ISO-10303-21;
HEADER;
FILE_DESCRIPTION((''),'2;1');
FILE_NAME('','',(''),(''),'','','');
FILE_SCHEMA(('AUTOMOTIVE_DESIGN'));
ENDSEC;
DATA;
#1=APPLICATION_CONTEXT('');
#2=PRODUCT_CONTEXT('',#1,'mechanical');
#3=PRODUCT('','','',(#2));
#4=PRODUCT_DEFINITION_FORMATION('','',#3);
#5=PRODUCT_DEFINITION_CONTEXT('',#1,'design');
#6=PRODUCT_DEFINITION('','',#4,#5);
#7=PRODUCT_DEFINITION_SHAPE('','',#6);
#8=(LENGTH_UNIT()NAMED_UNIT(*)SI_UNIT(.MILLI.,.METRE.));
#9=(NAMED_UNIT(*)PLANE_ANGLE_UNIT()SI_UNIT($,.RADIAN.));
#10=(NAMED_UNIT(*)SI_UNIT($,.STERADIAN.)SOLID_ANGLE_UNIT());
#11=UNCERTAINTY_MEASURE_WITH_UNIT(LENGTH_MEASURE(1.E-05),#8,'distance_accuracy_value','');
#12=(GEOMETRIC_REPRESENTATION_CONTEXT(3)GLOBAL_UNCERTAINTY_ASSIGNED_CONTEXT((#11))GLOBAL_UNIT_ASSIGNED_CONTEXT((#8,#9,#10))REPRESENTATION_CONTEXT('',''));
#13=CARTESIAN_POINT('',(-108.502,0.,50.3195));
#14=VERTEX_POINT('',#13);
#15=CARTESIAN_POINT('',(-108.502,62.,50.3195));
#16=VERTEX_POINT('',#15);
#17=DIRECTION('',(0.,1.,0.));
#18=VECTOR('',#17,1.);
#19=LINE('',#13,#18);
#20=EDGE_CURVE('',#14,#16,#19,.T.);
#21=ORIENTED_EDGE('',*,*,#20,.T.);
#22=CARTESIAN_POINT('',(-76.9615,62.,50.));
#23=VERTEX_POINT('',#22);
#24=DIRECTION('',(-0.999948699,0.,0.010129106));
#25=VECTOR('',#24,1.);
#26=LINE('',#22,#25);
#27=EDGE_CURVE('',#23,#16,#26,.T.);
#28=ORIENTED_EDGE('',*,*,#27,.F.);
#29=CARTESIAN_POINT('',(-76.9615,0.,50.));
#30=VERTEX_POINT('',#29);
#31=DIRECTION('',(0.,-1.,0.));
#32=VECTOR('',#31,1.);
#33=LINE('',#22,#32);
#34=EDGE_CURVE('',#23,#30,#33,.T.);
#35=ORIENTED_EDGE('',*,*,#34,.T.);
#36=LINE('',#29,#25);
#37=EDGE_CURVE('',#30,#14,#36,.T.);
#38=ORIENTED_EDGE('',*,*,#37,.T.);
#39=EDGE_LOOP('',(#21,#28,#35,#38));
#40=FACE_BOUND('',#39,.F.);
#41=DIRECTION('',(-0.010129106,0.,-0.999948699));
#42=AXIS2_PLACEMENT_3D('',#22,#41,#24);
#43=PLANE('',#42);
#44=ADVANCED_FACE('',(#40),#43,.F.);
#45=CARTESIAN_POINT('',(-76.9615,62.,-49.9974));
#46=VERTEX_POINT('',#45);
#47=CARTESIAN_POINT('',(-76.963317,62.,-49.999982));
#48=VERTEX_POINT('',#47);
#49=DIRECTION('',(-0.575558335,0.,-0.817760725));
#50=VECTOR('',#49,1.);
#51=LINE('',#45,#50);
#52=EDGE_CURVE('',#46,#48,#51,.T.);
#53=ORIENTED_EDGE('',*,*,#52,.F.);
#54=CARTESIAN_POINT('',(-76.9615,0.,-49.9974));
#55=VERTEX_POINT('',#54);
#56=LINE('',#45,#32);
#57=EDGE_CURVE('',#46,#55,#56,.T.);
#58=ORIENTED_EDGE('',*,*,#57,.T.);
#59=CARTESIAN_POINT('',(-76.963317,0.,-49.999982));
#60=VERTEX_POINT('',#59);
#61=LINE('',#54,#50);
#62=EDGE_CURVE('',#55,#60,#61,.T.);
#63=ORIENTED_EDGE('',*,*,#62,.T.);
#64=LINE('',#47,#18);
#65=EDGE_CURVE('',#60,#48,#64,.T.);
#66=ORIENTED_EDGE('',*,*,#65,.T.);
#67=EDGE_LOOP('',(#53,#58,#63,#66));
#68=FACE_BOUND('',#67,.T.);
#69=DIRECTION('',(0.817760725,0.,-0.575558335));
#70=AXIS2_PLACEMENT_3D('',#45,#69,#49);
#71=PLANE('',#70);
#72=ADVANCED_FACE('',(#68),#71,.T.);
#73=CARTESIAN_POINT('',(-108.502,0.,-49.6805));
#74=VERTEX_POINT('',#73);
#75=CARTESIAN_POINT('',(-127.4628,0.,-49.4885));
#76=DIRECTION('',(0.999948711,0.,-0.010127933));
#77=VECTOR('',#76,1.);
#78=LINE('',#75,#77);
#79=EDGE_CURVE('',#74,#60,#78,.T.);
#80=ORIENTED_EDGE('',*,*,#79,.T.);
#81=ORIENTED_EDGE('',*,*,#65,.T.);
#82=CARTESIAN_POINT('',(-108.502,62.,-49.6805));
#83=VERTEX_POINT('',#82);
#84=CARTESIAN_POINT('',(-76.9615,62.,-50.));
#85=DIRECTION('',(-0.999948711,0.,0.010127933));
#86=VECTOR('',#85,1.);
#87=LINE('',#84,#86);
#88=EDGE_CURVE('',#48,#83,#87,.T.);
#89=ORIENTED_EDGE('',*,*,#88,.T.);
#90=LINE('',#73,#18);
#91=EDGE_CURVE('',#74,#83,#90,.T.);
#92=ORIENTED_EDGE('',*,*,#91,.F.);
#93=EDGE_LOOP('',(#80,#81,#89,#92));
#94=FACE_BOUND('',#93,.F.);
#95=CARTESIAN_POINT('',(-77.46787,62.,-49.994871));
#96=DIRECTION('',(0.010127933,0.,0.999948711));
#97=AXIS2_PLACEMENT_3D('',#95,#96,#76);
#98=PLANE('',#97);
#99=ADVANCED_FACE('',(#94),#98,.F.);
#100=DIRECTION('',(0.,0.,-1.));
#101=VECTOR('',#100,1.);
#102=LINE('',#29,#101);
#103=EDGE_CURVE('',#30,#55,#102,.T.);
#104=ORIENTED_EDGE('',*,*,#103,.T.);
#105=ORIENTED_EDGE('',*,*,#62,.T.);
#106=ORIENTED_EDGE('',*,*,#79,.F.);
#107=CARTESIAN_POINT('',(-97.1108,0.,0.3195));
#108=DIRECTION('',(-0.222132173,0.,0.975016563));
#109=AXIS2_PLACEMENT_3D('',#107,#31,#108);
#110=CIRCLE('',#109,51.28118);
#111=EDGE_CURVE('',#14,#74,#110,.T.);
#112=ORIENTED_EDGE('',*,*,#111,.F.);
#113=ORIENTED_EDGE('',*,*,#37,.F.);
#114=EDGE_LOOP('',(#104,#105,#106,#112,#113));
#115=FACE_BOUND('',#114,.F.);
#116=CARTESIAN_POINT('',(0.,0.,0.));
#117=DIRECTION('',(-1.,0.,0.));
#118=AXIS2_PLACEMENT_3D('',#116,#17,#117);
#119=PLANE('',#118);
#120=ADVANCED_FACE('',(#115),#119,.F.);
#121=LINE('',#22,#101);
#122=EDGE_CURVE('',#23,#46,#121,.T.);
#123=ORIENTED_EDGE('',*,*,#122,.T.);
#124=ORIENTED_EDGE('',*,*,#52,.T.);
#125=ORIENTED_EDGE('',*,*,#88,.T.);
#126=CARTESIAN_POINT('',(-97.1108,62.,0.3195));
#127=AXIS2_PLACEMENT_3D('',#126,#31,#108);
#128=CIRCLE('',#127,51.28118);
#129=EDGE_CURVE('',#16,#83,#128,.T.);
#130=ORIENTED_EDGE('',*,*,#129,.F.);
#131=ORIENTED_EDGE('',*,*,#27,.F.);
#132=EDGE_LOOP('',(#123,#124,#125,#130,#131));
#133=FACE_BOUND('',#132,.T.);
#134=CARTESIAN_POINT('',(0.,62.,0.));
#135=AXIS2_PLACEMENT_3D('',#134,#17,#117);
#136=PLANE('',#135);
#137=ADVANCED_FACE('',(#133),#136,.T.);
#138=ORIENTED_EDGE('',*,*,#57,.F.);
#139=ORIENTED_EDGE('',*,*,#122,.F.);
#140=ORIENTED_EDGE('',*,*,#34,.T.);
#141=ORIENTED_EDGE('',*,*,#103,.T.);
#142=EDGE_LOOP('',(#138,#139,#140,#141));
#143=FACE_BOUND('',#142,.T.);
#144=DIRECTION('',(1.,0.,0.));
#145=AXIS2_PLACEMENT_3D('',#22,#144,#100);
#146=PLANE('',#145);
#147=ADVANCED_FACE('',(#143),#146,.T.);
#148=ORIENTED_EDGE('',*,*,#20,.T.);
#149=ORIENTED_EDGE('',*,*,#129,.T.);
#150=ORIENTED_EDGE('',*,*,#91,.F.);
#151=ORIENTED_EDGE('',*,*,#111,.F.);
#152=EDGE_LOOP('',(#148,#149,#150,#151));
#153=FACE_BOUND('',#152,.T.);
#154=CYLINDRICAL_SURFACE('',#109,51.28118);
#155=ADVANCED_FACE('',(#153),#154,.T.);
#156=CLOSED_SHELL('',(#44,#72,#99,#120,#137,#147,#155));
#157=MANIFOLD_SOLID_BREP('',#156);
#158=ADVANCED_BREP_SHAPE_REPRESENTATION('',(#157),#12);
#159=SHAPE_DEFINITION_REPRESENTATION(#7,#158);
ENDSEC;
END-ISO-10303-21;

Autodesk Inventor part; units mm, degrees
ref_plane "YZ Plane" through (0, 0, 0) normal (1, 0, 0) x (0, 1, 0)
ref_plane "XZ Plane" through (0, 0, 0) normal (0, 1, 0) x (-1, 0, 0)
ref_plane "XY Plane" through (0, 0, 0) normal (0, 0, 1) x (1, 0, 0)
sketch "Sketch1" plane through (0, 0, 0) normal (0, 1, 0) x (-1, 0, 0)
  line L0 (25, 100) -> (-25, 100)
  line L1 (-25, 100) -> (-25, -100)
  line L2 (-25, -100) -> (25, -100)
  line L3 (25, -100) -> (25, 100)
  line L4 (25, 100) -> (-25, -100) construction
  line L5 (-25, 100) -> (25, -100) construction
  point P0 (0, 0)
  dimension "d0" = 50
  dimension "d1" = 200
extrude "Extrusion1" add sketch "Sketch1" along normal blind 62
sketch "Sketch2" plane through (-25, 0, 100) normal (0, 0, 1) x (1, 0, 0)
  line L0 (50, 62) -> (0, 62) projected
  line L1 (50, 62) -> (90, 62)
  line L2 (90, 62) -> (90, 42)
  line L3 (90, 42) -> (53.2289, 0)
  line L4 (53.2289, 0) -> (50, 0)
  line L5 (50, 62) -> (50, 0)
  point P0 (25, 0)
  dimension "d4" = 40
  dimension "d5" = 20
  dimension "d6" = 90
extrude "Extrusion2" add sketch "Sketch2" against normal up to surface (200 mm away)
sketch "Sketch3" plane through (0, 62, 0) normal (0, 1, 0) x (1, 0, 0)
  line L0 (-25, 100) -> (-25, -100) projected
  line L1 (-25, -100) -> (-25, 100)
  line L2 (-25, 100) -> (-25, 80)
  line L3 (-25, 80) -> (-76.9615, 50)
  line L4 (-25, -100) -> (-25, -80)
  line L5 (-25, -80) -> (-76.9615, -50)
  line L6 (-76.9615, -50) -> (-76.9615, 50)
  circle A0 centre (-76.9615, 0) radius 49.9974
  circle A1 centre (-126.9564, -0.5064) radius 49.9974
  line L7 (-76.9615, -50) -> (-126.45, -50.5013)
  line L8 (-127.4628, 49.4885) -> (-76.9615, 50)
  point P0 (0, 0)
  point P1 (-76.9615, 49.9974)
  point P2 (-77.4679, 49.9949)
  point P3 (-76.9615, -1.0128)
  dimension "d9" = 20
  dimension "d10" = 60
  dimension "d11" = 120
  dimension "d12" = 20
  dimension "d13" = 60
  dimension "d14" = 120
extrude "Extrusion3" add sketch "Sketch3" against normal blind 62
sketch "Sketch4" plane through (0, 62, 0) normal (0, 1, 0) x (1, 0, 0)
  line L0 (-25, -100) -> (28.2289, -100) projected
  line L1 (-25, 100) -> (-25, 80) projected
  line L2 (-25, -100) -> (-25, 100)
  line L3 (-25, 100) -> (29.4775, 197.567)
  line L4 (29.4775, 197.567) -> (135.6867, 127.811)
  line L5 (135.6867, 127.811) -> (135.6867, -104.409)
  line L6 (135.6867, -104.409) -> (110.0345, -245.7212)
  line L7 (110.0345, -245.7212) -> (-5.1754, -156.6135)
  line L8 (-5.1754, -156.6135) -> (-25, -100)
  line L9 (-76.9615, -50) -> (-76.9615, 49.9974)
  line L10 (-76.9615, 49.9974) -> (-143.8651, 145.0549)
  line L11 (-143.8651, 145.0549) -> (-248.9816, -0.0013)
  line L12 (-248.9816, -0.0013) -> (-240.1494, -166.1828)
  line L13 (-240.1494, -166.1828) -> (-110.4133, -169.4443)
  line L14 (-110.4133, -169.4443) -> (-76.9615, -50)
  line L15 (-110.4133, -169.4443) -> (-5.1754, -156.6135)
  line L16 (-143.8651, 145.0549) -> (29.4775, 197.567)
  point P0 (0, 0)
extrude "Extrusion4" cut sketch "Sketch4" against normal blind 62 contours L3 L4 L5 L6 L7 L8 L2 L1 | L1 L2 L8 L15 L14 L9 L10 L16 L3
extrude "Extrusion5" cut sketch "Sketch4" against normal blind 62 contours L3 L4 L5 L6 L7 L8 L2 L1 | L1 L2 L8 L15 L14 L9 L10 L16 L3
sketch "Sketch5" plane through (0, 0, 0) normal (0, -1, 0) x (1, 0, 0)
  arc A0 (-77.4679, -49.9949) -> (-76.9615, -49.9974) centre (-76.9615, 0) ccw projected
  line L0 (-76.9615, -49.9974) -> (-76.9615, 49.9974)
  circle A1 centre (-76.9615, 0) radius 49.9974
  line L1 (-76.9615, 50) -> (-126.45, 50.5013) projected
  line L2 (-127.4628, -49.4885) -> (-77.4679, -49.9949) projected
  arc A2 (-108.502, 50.3195) -> (-108.502, -49.6805) centre (-97.1108, 0.3195) ccw
  line L3 (-108.502, -49.6805) -> (-108.502, 50.3195) construction
  line L4 (-108.502, -49.6805) -> (-8.502, -49.6805) construction
  line L5 (-108.502, -49.6805) -> (-108.502, 50.3195)
  arc A3 (-108.502, 50.3195) -> (-108.502, -49.6805) centre (-131.0507, 0.3195) ccw
  point P0 (0, 0)
  dimension "d21" = 90
extrude "Extrusion6" cut sketch "Sketch5" against normal blind 62 contours A3 A2
properties part number "piece3" material "Acetal Resin, Black"
